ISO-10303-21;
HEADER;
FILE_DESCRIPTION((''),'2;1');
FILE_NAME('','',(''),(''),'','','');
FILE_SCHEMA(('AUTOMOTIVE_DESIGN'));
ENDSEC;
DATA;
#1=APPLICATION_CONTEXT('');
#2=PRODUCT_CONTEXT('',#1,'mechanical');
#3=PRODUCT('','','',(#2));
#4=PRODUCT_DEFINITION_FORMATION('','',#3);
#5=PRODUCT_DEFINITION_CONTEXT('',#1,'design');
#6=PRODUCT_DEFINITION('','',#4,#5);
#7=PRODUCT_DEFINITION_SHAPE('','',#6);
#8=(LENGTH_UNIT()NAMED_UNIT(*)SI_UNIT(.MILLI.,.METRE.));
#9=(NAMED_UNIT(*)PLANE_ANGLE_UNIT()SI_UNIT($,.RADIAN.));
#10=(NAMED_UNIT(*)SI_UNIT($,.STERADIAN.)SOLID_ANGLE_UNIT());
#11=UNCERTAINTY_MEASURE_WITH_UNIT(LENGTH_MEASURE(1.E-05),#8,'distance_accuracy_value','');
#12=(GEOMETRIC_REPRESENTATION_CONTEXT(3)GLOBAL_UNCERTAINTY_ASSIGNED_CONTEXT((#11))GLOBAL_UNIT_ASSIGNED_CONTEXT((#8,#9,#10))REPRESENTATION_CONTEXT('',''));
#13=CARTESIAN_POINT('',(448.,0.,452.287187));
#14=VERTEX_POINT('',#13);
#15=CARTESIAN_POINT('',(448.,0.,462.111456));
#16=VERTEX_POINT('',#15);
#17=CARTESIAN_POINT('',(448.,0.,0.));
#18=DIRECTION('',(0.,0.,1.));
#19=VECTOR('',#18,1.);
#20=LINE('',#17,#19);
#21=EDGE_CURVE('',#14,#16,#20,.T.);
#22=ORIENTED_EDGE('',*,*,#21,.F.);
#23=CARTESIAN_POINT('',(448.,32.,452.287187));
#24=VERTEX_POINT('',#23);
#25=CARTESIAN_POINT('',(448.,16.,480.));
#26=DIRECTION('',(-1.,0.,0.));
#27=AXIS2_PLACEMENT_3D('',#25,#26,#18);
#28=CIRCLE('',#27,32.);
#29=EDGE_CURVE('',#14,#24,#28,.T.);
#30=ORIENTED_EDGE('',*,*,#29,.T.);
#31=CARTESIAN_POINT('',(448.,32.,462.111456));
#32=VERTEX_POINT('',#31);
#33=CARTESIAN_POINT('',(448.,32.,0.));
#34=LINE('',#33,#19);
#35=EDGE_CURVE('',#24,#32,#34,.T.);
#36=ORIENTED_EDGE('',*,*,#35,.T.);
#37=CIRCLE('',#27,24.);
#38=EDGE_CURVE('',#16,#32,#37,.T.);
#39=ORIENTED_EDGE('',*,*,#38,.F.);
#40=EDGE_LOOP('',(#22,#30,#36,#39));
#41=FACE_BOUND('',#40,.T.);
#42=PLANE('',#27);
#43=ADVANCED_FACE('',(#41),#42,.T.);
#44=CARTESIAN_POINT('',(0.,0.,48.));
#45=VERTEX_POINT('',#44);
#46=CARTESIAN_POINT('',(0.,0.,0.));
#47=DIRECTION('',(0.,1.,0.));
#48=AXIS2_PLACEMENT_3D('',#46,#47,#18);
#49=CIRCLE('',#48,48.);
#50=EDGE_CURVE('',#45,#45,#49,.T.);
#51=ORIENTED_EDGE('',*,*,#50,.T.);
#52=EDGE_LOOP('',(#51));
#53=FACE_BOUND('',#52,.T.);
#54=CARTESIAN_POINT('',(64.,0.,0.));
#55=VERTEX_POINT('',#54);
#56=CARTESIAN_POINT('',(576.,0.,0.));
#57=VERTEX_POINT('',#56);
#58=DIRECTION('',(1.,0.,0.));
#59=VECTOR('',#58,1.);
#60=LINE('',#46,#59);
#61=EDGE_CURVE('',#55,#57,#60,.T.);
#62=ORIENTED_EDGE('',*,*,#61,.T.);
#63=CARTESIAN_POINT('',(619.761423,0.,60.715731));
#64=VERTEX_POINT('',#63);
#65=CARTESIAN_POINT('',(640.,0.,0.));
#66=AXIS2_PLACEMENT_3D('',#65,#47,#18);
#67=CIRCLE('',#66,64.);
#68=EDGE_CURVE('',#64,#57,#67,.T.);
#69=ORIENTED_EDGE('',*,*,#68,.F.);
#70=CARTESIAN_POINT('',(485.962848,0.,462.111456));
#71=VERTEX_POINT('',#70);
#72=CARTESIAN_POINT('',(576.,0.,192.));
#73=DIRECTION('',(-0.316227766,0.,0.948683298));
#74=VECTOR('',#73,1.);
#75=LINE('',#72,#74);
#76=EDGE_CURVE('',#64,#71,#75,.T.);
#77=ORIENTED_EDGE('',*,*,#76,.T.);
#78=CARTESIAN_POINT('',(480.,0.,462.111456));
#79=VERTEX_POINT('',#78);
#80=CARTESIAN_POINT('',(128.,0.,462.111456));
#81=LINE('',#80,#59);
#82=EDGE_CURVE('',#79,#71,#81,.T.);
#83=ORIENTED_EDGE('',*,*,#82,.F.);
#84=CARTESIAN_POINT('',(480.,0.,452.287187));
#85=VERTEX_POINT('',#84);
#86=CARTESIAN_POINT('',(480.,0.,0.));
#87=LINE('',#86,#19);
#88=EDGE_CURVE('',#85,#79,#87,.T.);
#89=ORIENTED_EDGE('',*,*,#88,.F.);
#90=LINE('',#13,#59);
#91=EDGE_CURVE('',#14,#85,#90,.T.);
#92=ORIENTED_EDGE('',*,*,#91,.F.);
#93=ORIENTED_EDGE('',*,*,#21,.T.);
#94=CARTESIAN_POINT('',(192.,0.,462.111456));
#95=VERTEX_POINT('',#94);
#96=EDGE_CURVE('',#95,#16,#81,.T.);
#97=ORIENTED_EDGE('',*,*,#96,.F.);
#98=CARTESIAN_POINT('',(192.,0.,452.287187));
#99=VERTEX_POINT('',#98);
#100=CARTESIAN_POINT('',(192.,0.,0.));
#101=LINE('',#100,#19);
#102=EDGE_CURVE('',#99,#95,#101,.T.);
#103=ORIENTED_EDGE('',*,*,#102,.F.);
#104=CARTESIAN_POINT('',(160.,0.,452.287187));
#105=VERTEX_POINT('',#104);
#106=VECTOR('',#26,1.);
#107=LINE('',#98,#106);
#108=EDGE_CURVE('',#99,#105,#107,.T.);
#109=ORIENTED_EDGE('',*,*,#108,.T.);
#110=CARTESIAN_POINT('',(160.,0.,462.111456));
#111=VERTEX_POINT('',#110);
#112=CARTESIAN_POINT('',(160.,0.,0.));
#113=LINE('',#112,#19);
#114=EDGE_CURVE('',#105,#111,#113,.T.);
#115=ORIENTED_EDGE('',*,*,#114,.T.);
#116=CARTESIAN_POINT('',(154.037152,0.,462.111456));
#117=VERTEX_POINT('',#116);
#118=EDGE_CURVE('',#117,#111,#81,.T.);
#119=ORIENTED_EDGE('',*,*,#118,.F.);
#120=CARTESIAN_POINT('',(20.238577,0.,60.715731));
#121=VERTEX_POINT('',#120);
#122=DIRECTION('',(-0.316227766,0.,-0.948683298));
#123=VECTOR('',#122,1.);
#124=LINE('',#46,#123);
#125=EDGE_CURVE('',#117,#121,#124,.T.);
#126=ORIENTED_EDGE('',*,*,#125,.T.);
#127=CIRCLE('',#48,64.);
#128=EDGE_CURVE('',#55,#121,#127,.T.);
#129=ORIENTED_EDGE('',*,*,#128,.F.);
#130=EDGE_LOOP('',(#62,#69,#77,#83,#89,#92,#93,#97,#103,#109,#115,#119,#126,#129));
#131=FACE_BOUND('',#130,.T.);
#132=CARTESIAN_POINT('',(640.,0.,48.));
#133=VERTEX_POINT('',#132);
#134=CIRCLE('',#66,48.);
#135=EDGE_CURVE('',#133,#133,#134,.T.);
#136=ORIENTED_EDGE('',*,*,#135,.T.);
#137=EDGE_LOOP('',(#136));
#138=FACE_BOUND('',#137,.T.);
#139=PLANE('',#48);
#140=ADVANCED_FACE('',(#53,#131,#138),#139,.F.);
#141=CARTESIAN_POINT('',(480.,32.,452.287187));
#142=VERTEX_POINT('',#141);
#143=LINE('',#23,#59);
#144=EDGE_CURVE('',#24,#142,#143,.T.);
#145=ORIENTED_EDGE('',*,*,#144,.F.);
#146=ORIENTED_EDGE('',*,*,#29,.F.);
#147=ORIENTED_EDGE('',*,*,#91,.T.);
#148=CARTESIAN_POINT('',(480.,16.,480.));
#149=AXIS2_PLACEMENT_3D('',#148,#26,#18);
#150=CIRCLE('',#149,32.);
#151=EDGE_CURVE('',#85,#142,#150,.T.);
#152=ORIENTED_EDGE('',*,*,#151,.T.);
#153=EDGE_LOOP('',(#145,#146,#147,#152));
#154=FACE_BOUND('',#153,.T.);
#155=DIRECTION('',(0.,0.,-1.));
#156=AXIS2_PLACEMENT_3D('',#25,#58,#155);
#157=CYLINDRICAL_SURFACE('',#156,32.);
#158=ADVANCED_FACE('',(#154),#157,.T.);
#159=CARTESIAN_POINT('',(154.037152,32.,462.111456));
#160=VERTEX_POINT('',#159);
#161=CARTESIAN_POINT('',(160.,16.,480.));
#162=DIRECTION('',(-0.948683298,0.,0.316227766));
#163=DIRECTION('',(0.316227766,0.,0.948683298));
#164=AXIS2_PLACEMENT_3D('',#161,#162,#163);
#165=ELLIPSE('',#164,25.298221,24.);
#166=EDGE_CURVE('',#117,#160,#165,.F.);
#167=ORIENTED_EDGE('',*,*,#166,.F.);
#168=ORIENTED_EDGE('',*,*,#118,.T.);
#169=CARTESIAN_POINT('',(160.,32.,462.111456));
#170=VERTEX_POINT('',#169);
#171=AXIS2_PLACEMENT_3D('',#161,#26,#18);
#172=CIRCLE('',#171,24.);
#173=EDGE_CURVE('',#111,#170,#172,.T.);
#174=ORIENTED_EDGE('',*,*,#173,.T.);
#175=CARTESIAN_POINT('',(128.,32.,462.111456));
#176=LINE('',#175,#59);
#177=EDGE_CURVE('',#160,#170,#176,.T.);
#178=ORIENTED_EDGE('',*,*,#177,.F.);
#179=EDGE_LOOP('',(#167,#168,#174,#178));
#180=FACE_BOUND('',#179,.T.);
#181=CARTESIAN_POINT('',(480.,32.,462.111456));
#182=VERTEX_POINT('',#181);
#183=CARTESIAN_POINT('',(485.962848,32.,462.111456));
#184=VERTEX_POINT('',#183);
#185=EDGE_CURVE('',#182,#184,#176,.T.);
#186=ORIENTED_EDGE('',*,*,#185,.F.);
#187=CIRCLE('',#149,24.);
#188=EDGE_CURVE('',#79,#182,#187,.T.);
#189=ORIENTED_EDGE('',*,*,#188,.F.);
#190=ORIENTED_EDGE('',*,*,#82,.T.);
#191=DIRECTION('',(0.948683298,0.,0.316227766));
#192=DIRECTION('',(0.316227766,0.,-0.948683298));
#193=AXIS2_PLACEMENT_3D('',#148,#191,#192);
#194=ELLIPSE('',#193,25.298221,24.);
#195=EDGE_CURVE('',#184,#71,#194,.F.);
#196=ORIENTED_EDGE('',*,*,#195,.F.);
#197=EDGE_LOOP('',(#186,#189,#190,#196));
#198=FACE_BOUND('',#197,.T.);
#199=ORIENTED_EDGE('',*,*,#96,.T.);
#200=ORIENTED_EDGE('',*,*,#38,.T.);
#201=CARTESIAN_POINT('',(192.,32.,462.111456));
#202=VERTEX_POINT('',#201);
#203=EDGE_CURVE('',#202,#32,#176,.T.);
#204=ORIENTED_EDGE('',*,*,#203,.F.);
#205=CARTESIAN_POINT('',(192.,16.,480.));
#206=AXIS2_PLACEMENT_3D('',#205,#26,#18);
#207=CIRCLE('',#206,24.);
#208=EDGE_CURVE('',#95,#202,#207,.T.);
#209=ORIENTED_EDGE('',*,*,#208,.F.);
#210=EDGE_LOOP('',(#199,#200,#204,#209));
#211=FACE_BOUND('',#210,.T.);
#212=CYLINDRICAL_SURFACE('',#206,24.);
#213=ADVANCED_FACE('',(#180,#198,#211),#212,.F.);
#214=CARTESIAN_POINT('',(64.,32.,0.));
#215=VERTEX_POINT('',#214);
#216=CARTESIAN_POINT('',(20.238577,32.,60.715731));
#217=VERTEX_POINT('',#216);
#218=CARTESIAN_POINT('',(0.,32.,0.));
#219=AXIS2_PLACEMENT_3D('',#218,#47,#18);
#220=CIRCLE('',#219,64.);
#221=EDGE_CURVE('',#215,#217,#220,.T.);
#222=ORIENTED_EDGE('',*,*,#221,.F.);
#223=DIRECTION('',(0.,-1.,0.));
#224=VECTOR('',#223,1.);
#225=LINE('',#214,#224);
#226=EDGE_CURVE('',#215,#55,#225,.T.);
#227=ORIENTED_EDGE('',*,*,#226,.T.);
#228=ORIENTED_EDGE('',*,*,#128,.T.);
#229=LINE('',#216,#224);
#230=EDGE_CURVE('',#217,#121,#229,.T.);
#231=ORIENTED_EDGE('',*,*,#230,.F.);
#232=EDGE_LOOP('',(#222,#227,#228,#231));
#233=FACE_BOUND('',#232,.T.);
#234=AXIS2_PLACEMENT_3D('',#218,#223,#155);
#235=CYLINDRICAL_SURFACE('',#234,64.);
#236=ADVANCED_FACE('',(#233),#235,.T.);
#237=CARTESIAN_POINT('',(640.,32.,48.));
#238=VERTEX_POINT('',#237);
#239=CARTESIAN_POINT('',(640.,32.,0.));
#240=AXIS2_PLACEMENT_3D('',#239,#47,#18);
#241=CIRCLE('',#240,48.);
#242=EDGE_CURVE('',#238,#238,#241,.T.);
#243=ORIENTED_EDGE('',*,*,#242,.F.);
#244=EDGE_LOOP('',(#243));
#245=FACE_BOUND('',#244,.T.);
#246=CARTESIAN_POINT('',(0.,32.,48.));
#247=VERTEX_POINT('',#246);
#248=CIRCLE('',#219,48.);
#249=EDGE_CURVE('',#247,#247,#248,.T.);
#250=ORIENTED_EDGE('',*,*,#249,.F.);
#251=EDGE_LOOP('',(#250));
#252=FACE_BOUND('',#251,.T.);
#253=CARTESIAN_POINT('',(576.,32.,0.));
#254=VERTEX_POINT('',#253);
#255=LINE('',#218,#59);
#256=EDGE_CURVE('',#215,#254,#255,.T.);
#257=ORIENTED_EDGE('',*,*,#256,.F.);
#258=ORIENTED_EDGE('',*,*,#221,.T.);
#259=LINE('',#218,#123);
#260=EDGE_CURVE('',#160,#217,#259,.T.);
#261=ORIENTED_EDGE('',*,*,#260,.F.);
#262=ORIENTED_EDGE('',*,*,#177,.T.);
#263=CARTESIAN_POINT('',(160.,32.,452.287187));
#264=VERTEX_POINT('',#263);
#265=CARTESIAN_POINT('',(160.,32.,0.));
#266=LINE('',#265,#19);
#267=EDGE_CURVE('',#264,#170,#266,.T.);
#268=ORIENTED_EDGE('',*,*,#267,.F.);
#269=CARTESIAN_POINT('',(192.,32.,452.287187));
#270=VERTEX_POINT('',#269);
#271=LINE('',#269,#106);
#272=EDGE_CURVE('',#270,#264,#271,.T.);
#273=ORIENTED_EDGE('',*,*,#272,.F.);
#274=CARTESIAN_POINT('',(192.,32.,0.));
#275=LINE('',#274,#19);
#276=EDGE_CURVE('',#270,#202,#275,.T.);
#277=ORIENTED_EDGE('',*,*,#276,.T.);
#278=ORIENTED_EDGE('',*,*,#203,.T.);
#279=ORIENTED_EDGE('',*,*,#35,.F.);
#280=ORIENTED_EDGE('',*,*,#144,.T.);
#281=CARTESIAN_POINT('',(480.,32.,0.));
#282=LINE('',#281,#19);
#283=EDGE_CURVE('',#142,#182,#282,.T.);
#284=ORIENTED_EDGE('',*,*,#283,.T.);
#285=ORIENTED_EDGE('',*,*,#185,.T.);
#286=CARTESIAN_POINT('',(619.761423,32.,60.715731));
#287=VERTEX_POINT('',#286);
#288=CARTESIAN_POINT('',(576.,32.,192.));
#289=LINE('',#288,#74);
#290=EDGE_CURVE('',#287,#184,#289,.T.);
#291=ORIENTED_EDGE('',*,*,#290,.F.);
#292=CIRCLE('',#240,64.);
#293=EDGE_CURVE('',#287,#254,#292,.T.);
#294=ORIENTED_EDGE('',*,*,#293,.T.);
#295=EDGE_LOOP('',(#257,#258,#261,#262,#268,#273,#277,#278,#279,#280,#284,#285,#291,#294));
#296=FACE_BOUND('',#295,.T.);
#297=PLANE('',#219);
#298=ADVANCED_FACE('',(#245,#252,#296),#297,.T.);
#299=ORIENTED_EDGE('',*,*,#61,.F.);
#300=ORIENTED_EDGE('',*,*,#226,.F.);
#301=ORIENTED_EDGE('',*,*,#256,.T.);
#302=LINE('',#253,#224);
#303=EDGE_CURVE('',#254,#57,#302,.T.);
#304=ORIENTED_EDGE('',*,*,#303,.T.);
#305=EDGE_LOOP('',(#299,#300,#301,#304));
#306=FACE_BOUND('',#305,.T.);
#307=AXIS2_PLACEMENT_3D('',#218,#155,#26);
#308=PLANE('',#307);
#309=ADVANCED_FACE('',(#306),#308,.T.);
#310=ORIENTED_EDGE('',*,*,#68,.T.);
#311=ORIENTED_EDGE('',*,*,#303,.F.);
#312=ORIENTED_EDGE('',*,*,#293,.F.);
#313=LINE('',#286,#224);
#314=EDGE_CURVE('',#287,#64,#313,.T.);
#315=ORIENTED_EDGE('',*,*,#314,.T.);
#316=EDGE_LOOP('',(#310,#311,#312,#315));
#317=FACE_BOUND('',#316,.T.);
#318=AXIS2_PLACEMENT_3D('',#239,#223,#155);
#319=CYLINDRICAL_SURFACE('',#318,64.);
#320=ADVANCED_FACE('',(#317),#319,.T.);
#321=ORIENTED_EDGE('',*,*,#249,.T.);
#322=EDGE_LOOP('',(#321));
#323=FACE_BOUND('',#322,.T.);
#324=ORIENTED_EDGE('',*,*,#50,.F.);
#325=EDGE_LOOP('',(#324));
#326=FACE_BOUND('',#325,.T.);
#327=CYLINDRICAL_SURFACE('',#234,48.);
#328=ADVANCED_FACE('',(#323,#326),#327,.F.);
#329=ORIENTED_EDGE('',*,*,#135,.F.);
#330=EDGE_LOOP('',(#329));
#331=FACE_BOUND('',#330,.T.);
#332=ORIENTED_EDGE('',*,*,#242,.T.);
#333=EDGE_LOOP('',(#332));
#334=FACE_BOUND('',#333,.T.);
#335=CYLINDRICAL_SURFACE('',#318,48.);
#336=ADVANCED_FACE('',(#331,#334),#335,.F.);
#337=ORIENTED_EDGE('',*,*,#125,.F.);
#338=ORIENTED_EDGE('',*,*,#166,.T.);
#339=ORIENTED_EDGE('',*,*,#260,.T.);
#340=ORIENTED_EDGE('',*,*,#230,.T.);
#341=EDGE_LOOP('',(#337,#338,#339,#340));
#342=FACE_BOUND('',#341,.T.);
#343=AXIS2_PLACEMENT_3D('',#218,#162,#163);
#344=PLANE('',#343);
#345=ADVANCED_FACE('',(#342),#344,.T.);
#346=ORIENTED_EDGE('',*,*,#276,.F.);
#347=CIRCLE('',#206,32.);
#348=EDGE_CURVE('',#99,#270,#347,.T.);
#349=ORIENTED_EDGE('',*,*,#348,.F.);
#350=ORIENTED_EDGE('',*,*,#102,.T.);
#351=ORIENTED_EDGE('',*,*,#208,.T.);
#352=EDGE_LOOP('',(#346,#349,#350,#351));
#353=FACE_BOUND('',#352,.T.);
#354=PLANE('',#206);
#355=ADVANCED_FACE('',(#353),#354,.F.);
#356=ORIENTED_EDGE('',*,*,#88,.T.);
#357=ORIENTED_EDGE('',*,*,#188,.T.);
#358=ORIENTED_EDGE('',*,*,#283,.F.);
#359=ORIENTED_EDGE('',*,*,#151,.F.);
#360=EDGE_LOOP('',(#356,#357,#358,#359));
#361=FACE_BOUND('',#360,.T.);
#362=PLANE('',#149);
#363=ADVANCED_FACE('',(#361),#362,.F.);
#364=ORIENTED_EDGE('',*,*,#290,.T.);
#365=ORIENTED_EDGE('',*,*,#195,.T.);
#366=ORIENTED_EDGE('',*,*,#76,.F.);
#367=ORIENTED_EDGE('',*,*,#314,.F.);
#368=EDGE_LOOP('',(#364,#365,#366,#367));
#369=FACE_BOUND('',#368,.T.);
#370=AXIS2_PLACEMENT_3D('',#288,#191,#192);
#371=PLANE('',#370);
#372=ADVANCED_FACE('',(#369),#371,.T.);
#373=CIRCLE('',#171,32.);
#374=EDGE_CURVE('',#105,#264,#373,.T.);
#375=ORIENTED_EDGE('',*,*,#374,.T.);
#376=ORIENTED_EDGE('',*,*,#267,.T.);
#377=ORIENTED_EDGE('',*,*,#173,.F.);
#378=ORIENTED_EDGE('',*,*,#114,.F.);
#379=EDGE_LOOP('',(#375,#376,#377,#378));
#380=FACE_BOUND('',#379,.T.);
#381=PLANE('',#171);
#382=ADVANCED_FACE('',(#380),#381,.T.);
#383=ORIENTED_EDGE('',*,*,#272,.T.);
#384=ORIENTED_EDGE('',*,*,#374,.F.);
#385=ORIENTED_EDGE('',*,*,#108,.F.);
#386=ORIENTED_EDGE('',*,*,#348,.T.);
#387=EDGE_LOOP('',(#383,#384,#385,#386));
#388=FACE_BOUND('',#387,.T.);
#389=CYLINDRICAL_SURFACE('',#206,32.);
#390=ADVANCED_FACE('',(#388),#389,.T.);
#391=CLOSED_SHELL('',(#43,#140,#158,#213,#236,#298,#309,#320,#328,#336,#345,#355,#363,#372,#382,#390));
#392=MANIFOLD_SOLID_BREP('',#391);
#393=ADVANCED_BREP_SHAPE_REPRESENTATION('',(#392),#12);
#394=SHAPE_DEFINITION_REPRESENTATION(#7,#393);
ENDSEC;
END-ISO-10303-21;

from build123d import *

# Parameters (mm, degrees)
SKETCH1_R               = 48
BOSS_EXTRUDE1_DEPTH     = 32
SKETCH2_R               = 32
SKETCH2_R_2             = 24
BOSS_EXTRUDE2_DEPTH     = 32
BOSS_EXTRUDE3_START     = 32
SKETCH3_R               = 32
SKETCH3_R_2             = 24
BOSS_EXTRUDE3_DEPTH     = 32
CUT_EXTRUDE1_DEPTH      = 32
CUT_EXTRUDE1_DEPTH_BACK = 689
SKETCH4_R               = 24


with BuildPart() as part:
    # Sketch1 → Boss-Extrude1 (new body)
    with BuildSketch(Plane(origin=(0, 0, 0), x_dir=(1, 0, 0), z_dir=(0, 1, 0))):
        with BuildLine():
            ThreePointArc((64, 0), (-51.919499851, 37.421458218), (20.238577025, -60.715731075))
            Line((20.238577025, -60.715731075), (160, -480))
            Line((160, -480), (480, -480))
            Line((480, -480), (619.761422975, -60.715731075))
            ThreePointArc((619.761422975, -60.715731075), (691.919499851, 37.421458218), (576, 0))
            Line((576, 0), (64, 0))
        make_face()
        with Locations(Location((0, 0, 0), (0, 0, 270))):
            Circle(SKETCH1_R, mode=Mode.SUBTRACT)
        with Locations(Location((640, 0, 0), (0, 0, 270))):
            Circle(SKETCH1_R, mode=Mode.SUBTRACT)
    extrude(amount=BOSS_EXTRUDE1_DEPTH)

    # Sketch2 → Boss-Extrude2 (add)
    with BuildSketch(Plane(origin=(160, 0, 0), x_dir=(0, -1, 0), z_dir=(-1, 0, 0))):
        with Locations((-16, 480)):
            Circle(SKETCH2_R)
        with Locations((-16, 480)):
            Circle(SKETCH2_R_2, mode=Mode.SUBTRACT)
    extrude(amount=-BOSS_EXTRUDE2_DEPTH)

    # Sketch3 → Boss-Extrude3 (add)
    with BuildSketch(Plane(origin=(480, 0, 0), x_dir=(0, -1, 0), z_dir=(-1, 0, 0)).offset(BOSS_EXTRUDE3_START)):
        with Locations((-16, 480)):
            Circle(SKETCH3_R)
        with Locations((-16, 480)):
            Circle(SKETCH3_R_2, mode=Mode.SUBTRACT)
    extrude(amount=-BOSS_EXTRUDE3_DEPTH)

    # Sketch4 → Cut-Extrude1 (cut, two sides: drawn at the far end of the back side and taken through both)
    with BuildSketch(Plane(origin=(160, 0, 0), x_dir=(0, -1, 0), z_dir=(-1, 0, 0)).offset(-CUT_EXTRUDE1_DEPTH_BACK)):
        with Locations(Location((-16, 480, 0), (0, 0, 228.189685104))):
            Circle(SKETCH4_R)
    extrude(amount=CUT_EXTRUDE1_DEPTH + CUT_EXTRUDE1_DEPTH_BACK, mode=Mode.SUBTRACT)


solid = part.part
